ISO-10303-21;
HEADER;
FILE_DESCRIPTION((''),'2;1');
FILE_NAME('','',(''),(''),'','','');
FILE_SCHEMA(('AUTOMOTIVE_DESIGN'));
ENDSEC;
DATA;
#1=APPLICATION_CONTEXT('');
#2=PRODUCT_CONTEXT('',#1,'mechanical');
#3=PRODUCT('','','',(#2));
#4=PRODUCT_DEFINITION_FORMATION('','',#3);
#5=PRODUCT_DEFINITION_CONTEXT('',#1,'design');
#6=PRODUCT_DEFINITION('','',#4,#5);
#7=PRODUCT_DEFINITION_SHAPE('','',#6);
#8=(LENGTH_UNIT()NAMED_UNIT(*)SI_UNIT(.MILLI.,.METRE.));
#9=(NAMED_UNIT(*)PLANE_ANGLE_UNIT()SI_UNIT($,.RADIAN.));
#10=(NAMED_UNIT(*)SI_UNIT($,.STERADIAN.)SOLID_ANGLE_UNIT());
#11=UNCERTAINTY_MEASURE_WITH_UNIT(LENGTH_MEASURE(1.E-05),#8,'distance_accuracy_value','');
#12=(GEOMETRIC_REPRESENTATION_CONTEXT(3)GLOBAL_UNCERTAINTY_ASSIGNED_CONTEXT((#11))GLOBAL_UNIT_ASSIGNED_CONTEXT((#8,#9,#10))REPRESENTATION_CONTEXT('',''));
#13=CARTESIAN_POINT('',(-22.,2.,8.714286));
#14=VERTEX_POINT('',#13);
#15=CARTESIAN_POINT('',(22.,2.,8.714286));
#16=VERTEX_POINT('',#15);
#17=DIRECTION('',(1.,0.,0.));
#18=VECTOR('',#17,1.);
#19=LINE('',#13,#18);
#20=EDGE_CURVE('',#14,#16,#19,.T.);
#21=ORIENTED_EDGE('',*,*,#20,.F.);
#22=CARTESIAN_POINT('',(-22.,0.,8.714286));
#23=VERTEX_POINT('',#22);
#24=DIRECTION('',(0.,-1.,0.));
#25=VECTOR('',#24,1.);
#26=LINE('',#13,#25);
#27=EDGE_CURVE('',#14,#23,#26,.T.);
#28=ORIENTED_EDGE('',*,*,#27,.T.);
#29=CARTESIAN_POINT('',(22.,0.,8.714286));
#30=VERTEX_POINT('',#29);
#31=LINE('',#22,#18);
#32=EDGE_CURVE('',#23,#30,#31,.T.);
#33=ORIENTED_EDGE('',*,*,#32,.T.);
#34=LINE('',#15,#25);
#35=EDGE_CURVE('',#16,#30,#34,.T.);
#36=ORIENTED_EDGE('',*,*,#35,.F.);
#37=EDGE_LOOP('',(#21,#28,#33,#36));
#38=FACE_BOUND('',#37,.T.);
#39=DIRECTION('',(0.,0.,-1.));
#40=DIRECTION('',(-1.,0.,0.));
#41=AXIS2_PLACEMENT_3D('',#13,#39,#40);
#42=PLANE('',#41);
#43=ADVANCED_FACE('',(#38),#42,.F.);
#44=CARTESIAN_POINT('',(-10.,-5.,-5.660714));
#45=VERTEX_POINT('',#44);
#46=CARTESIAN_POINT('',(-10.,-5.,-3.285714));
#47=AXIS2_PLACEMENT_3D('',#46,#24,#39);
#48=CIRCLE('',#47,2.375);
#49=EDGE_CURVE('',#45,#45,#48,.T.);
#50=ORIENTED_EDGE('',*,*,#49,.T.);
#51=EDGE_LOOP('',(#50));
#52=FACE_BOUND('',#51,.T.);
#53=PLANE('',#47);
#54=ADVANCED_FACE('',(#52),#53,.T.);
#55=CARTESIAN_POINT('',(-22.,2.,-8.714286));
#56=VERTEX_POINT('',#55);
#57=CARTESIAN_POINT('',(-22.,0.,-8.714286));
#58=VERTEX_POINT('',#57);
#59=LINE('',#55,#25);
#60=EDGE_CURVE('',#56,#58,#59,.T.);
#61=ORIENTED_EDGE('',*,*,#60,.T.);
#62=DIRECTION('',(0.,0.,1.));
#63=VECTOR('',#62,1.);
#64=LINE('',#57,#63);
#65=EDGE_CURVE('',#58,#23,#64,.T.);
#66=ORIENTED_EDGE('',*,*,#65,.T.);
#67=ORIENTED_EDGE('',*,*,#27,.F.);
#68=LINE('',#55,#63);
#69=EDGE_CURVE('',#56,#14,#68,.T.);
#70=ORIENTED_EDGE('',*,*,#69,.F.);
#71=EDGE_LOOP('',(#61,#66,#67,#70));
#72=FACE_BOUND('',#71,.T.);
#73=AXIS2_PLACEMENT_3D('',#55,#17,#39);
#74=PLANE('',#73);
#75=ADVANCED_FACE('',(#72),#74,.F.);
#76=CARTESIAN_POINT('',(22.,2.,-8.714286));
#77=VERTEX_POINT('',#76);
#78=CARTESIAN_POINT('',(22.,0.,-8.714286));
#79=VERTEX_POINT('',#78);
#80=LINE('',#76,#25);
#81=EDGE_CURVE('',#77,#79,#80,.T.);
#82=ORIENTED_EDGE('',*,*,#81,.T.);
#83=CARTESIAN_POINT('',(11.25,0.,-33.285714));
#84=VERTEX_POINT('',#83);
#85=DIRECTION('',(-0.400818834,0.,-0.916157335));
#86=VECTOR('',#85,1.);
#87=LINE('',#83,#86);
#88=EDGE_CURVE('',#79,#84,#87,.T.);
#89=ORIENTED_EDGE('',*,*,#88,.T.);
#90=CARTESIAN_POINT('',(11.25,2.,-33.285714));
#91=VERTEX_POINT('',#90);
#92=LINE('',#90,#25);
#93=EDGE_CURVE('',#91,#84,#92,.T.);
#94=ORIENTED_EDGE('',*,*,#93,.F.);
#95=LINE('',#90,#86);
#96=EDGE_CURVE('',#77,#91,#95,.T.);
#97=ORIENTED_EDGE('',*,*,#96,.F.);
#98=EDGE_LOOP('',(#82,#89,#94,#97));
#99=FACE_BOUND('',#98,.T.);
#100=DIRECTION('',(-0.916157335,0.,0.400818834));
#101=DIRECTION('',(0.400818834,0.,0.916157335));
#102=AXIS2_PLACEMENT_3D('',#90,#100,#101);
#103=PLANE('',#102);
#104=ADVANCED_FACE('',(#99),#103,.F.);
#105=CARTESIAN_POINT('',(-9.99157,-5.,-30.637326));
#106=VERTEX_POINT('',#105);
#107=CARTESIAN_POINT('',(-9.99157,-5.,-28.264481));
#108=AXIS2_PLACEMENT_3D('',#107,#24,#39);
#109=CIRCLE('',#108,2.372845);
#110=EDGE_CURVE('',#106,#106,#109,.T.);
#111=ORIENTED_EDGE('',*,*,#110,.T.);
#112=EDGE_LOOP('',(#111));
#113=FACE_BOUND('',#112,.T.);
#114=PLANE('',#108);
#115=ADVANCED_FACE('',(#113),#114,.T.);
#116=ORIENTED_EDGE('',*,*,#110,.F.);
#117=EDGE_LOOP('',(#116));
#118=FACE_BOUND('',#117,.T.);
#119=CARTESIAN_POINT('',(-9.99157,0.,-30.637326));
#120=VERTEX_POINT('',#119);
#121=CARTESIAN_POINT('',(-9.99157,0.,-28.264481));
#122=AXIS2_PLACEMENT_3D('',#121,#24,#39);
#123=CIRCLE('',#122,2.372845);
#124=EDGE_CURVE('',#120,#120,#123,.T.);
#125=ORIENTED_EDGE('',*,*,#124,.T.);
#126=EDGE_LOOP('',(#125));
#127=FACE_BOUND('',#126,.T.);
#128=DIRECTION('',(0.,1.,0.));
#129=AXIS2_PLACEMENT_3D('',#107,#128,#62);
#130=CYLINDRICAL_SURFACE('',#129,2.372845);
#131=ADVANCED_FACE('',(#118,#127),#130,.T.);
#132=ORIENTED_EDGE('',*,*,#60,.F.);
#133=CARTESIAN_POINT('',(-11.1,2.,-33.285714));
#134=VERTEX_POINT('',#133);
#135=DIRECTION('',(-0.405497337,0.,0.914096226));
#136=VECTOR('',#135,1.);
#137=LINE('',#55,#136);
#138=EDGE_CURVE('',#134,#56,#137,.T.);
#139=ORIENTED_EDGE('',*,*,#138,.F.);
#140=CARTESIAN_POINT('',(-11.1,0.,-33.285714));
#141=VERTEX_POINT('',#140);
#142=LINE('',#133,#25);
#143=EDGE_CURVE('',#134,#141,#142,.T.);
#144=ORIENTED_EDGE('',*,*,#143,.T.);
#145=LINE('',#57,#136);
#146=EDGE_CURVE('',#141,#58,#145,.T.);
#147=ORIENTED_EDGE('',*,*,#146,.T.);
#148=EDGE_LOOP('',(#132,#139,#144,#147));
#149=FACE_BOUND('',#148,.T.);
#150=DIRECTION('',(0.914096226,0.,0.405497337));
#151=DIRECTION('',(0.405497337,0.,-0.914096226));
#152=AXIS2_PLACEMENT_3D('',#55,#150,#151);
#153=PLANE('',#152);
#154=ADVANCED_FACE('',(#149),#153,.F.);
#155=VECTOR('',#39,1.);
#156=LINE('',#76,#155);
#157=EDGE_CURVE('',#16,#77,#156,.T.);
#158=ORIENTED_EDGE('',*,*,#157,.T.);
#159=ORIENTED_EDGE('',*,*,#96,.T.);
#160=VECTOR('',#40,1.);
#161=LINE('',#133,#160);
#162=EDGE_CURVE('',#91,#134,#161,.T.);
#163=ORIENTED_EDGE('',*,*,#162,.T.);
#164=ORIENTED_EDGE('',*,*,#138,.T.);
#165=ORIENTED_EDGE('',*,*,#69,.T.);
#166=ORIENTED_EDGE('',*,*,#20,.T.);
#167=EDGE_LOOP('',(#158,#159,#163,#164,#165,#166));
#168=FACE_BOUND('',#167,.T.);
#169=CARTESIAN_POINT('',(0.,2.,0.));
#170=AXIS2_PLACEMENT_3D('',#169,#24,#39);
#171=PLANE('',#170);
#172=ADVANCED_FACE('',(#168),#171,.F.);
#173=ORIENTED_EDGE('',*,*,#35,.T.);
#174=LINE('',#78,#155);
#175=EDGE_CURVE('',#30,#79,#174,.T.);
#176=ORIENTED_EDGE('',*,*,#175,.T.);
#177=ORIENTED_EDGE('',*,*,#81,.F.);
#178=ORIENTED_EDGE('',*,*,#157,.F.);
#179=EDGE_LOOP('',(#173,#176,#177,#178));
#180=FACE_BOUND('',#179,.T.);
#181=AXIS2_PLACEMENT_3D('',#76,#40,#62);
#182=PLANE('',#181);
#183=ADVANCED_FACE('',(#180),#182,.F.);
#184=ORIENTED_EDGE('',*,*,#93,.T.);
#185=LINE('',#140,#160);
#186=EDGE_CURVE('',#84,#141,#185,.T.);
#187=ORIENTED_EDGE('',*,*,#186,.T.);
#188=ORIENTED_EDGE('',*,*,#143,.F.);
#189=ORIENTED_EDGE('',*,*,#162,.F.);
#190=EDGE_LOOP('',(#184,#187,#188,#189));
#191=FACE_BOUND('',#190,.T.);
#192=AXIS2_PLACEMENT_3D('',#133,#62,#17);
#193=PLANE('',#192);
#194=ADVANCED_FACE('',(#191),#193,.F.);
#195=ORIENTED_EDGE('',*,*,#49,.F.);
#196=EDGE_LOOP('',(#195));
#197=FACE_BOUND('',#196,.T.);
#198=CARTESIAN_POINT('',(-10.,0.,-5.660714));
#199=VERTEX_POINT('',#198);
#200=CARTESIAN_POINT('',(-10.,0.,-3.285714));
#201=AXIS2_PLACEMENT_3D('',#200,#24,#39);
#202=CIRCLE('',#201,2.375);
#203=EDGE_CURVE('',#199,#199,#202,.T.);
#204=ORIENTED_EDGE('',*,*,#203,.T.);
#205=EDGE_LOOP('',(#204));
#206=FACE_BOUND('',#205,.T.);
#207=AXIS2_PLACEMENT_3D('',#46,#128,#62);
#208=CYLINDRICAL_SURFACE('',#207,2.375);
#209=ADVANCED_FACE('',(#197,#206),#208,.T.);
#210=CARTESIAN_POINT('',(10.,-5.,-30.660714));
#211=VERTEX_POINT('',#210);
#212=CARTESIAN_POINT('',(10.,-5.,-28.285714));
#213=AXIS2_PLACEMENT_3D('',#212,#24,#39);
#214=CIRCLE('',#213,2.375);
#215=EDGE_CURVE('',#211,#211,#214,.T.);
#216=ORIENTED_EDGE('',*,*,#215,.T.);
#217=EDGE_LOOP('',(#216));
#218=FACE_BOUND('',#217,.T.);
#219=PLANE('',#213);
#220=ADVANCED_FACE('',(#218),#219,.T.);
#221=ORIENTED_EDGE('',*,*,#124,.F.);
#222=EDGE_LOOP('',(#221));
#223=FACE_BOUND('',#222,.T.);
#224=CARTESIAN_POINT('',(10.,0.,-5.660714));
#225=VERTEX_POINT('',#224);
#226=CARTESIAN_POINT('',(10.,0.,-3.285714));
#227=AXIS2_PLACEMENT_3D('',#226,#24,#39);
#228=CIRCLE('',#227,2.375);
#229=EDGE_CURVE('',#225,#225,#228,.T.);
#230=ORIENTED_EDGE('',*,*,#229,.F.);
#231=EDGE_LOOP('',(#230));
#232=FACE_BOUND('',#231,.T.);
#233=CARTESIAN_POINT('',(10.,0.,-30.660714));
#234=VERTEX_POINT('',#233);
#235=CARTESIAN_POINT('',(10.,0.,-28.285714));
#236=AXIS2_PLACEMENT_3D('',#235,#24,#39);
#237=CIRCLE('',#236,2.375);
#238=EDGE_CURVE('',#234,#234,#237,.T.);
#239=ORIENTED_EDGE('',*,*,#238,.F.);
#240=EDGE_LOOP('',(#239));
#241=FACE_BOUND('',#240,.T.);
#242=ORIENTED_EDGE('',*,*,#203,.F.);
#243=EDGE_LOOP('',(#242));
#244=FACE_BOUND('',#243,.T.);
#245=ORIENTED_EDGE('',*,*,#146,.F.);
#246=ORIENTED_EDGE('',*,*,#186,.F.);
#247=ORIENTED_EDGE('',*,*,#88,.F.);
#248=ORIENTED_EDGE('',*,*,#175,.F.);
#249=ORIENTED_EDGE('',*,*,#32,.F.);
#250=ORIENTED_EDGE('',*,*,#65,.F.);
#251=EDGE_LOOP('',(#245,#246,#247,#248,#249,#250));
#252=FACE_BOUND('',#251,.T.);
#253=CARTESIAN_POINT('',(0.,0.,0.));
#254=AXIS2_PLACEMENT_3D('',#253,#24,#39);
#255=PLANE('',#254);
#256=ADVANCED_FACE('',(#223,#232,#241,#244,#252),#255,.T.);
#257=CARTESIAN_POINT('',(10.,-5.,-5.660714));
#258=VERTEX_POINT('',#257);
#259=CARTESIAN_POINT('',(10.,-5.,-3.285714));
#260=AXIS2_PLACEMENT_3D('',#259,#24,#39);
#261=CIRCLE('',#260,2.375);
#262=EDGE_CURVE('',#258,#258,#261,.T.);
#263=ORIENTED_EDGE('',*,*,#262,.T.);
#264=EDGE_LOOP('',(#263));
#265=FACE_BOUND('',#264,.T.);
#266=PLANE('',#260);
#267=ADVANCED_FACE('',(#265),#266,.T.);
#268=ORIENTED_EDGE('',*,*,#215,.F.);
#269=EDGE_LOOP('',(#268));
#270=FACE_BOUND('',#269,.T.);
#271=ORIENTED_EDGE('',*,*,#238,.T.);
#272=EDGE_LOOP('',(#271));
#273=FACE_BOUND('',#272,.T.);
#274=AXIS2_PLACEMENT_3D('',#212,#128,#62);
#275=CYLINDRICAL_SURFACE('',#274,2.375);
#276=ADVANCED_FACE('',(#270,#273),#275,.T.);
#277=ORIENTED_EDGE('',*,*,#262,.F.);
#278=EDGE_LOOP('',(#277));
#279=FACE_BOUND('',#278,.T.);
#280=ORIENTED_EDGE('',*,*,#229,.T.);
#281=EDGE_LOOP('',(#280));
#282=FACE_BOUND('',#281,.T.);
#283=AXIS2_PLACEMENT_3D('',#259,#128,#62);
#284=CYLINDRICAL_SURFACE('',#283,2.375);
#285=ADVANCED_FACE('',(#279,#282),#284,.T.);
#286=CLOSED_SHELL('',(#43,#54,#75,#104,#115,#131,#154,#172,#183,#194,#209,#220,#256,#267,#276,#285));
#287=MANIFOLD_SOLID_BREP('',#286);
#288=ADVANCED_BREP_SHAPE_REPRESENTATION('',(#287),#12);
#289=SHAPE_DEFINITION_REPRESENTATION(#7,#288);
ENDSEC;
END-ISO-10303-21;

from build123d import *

# Parameters (mm, degrees)
BOSS_EXTRUDE1_DEPTH = 2
SKETCH3_R           = 2.375
SKETCH3_R_2         = 2.372845421
BOSS_EXTRUDE3_DEPTH = 5


with BuildPart() as part:
    # Sketch1 → Boss-Extrude1 (new body)
    with BuildSketch(Plane(origin=(0, 0, 0), x_dir=(1, 0, 0), z_dir=(0, 1, 0))):
        Polygon((-22, 8.714285714), (-22, -8.714285714), (22, -8.714285714), (22, 8.714285714), (11.25, 33.285714286), (-11.1, 33.285714286), align=None)
    extrude(amount=BOSS_EXTRUDE1_DEPTH)

    # Sketch3 → Boss-Extrude3 (add)
    with BuildSketch(Plane.XZ):
        with Locations(Location((-10, -3.285714286, 0), (0, 0, 270))):
            Circle(SKETCH3_R)
        with Locations(Location((-9.991570168, -28.264481029, 0), (0, 0, 270))):
            Circle(SKETCH3_R_2)
        with Locations(Location((10, -28.285714286, 0), (0, 0, 270))):
            Circle(SKETCH3_R)
        with Locations(Location((10, -3.285714286, 0), (0, 0, 270))):
            Circle(SKETCH3_R)
    extrude(amount=BOSS_EXTRUDE3_DEPTH)


solid = part.part
